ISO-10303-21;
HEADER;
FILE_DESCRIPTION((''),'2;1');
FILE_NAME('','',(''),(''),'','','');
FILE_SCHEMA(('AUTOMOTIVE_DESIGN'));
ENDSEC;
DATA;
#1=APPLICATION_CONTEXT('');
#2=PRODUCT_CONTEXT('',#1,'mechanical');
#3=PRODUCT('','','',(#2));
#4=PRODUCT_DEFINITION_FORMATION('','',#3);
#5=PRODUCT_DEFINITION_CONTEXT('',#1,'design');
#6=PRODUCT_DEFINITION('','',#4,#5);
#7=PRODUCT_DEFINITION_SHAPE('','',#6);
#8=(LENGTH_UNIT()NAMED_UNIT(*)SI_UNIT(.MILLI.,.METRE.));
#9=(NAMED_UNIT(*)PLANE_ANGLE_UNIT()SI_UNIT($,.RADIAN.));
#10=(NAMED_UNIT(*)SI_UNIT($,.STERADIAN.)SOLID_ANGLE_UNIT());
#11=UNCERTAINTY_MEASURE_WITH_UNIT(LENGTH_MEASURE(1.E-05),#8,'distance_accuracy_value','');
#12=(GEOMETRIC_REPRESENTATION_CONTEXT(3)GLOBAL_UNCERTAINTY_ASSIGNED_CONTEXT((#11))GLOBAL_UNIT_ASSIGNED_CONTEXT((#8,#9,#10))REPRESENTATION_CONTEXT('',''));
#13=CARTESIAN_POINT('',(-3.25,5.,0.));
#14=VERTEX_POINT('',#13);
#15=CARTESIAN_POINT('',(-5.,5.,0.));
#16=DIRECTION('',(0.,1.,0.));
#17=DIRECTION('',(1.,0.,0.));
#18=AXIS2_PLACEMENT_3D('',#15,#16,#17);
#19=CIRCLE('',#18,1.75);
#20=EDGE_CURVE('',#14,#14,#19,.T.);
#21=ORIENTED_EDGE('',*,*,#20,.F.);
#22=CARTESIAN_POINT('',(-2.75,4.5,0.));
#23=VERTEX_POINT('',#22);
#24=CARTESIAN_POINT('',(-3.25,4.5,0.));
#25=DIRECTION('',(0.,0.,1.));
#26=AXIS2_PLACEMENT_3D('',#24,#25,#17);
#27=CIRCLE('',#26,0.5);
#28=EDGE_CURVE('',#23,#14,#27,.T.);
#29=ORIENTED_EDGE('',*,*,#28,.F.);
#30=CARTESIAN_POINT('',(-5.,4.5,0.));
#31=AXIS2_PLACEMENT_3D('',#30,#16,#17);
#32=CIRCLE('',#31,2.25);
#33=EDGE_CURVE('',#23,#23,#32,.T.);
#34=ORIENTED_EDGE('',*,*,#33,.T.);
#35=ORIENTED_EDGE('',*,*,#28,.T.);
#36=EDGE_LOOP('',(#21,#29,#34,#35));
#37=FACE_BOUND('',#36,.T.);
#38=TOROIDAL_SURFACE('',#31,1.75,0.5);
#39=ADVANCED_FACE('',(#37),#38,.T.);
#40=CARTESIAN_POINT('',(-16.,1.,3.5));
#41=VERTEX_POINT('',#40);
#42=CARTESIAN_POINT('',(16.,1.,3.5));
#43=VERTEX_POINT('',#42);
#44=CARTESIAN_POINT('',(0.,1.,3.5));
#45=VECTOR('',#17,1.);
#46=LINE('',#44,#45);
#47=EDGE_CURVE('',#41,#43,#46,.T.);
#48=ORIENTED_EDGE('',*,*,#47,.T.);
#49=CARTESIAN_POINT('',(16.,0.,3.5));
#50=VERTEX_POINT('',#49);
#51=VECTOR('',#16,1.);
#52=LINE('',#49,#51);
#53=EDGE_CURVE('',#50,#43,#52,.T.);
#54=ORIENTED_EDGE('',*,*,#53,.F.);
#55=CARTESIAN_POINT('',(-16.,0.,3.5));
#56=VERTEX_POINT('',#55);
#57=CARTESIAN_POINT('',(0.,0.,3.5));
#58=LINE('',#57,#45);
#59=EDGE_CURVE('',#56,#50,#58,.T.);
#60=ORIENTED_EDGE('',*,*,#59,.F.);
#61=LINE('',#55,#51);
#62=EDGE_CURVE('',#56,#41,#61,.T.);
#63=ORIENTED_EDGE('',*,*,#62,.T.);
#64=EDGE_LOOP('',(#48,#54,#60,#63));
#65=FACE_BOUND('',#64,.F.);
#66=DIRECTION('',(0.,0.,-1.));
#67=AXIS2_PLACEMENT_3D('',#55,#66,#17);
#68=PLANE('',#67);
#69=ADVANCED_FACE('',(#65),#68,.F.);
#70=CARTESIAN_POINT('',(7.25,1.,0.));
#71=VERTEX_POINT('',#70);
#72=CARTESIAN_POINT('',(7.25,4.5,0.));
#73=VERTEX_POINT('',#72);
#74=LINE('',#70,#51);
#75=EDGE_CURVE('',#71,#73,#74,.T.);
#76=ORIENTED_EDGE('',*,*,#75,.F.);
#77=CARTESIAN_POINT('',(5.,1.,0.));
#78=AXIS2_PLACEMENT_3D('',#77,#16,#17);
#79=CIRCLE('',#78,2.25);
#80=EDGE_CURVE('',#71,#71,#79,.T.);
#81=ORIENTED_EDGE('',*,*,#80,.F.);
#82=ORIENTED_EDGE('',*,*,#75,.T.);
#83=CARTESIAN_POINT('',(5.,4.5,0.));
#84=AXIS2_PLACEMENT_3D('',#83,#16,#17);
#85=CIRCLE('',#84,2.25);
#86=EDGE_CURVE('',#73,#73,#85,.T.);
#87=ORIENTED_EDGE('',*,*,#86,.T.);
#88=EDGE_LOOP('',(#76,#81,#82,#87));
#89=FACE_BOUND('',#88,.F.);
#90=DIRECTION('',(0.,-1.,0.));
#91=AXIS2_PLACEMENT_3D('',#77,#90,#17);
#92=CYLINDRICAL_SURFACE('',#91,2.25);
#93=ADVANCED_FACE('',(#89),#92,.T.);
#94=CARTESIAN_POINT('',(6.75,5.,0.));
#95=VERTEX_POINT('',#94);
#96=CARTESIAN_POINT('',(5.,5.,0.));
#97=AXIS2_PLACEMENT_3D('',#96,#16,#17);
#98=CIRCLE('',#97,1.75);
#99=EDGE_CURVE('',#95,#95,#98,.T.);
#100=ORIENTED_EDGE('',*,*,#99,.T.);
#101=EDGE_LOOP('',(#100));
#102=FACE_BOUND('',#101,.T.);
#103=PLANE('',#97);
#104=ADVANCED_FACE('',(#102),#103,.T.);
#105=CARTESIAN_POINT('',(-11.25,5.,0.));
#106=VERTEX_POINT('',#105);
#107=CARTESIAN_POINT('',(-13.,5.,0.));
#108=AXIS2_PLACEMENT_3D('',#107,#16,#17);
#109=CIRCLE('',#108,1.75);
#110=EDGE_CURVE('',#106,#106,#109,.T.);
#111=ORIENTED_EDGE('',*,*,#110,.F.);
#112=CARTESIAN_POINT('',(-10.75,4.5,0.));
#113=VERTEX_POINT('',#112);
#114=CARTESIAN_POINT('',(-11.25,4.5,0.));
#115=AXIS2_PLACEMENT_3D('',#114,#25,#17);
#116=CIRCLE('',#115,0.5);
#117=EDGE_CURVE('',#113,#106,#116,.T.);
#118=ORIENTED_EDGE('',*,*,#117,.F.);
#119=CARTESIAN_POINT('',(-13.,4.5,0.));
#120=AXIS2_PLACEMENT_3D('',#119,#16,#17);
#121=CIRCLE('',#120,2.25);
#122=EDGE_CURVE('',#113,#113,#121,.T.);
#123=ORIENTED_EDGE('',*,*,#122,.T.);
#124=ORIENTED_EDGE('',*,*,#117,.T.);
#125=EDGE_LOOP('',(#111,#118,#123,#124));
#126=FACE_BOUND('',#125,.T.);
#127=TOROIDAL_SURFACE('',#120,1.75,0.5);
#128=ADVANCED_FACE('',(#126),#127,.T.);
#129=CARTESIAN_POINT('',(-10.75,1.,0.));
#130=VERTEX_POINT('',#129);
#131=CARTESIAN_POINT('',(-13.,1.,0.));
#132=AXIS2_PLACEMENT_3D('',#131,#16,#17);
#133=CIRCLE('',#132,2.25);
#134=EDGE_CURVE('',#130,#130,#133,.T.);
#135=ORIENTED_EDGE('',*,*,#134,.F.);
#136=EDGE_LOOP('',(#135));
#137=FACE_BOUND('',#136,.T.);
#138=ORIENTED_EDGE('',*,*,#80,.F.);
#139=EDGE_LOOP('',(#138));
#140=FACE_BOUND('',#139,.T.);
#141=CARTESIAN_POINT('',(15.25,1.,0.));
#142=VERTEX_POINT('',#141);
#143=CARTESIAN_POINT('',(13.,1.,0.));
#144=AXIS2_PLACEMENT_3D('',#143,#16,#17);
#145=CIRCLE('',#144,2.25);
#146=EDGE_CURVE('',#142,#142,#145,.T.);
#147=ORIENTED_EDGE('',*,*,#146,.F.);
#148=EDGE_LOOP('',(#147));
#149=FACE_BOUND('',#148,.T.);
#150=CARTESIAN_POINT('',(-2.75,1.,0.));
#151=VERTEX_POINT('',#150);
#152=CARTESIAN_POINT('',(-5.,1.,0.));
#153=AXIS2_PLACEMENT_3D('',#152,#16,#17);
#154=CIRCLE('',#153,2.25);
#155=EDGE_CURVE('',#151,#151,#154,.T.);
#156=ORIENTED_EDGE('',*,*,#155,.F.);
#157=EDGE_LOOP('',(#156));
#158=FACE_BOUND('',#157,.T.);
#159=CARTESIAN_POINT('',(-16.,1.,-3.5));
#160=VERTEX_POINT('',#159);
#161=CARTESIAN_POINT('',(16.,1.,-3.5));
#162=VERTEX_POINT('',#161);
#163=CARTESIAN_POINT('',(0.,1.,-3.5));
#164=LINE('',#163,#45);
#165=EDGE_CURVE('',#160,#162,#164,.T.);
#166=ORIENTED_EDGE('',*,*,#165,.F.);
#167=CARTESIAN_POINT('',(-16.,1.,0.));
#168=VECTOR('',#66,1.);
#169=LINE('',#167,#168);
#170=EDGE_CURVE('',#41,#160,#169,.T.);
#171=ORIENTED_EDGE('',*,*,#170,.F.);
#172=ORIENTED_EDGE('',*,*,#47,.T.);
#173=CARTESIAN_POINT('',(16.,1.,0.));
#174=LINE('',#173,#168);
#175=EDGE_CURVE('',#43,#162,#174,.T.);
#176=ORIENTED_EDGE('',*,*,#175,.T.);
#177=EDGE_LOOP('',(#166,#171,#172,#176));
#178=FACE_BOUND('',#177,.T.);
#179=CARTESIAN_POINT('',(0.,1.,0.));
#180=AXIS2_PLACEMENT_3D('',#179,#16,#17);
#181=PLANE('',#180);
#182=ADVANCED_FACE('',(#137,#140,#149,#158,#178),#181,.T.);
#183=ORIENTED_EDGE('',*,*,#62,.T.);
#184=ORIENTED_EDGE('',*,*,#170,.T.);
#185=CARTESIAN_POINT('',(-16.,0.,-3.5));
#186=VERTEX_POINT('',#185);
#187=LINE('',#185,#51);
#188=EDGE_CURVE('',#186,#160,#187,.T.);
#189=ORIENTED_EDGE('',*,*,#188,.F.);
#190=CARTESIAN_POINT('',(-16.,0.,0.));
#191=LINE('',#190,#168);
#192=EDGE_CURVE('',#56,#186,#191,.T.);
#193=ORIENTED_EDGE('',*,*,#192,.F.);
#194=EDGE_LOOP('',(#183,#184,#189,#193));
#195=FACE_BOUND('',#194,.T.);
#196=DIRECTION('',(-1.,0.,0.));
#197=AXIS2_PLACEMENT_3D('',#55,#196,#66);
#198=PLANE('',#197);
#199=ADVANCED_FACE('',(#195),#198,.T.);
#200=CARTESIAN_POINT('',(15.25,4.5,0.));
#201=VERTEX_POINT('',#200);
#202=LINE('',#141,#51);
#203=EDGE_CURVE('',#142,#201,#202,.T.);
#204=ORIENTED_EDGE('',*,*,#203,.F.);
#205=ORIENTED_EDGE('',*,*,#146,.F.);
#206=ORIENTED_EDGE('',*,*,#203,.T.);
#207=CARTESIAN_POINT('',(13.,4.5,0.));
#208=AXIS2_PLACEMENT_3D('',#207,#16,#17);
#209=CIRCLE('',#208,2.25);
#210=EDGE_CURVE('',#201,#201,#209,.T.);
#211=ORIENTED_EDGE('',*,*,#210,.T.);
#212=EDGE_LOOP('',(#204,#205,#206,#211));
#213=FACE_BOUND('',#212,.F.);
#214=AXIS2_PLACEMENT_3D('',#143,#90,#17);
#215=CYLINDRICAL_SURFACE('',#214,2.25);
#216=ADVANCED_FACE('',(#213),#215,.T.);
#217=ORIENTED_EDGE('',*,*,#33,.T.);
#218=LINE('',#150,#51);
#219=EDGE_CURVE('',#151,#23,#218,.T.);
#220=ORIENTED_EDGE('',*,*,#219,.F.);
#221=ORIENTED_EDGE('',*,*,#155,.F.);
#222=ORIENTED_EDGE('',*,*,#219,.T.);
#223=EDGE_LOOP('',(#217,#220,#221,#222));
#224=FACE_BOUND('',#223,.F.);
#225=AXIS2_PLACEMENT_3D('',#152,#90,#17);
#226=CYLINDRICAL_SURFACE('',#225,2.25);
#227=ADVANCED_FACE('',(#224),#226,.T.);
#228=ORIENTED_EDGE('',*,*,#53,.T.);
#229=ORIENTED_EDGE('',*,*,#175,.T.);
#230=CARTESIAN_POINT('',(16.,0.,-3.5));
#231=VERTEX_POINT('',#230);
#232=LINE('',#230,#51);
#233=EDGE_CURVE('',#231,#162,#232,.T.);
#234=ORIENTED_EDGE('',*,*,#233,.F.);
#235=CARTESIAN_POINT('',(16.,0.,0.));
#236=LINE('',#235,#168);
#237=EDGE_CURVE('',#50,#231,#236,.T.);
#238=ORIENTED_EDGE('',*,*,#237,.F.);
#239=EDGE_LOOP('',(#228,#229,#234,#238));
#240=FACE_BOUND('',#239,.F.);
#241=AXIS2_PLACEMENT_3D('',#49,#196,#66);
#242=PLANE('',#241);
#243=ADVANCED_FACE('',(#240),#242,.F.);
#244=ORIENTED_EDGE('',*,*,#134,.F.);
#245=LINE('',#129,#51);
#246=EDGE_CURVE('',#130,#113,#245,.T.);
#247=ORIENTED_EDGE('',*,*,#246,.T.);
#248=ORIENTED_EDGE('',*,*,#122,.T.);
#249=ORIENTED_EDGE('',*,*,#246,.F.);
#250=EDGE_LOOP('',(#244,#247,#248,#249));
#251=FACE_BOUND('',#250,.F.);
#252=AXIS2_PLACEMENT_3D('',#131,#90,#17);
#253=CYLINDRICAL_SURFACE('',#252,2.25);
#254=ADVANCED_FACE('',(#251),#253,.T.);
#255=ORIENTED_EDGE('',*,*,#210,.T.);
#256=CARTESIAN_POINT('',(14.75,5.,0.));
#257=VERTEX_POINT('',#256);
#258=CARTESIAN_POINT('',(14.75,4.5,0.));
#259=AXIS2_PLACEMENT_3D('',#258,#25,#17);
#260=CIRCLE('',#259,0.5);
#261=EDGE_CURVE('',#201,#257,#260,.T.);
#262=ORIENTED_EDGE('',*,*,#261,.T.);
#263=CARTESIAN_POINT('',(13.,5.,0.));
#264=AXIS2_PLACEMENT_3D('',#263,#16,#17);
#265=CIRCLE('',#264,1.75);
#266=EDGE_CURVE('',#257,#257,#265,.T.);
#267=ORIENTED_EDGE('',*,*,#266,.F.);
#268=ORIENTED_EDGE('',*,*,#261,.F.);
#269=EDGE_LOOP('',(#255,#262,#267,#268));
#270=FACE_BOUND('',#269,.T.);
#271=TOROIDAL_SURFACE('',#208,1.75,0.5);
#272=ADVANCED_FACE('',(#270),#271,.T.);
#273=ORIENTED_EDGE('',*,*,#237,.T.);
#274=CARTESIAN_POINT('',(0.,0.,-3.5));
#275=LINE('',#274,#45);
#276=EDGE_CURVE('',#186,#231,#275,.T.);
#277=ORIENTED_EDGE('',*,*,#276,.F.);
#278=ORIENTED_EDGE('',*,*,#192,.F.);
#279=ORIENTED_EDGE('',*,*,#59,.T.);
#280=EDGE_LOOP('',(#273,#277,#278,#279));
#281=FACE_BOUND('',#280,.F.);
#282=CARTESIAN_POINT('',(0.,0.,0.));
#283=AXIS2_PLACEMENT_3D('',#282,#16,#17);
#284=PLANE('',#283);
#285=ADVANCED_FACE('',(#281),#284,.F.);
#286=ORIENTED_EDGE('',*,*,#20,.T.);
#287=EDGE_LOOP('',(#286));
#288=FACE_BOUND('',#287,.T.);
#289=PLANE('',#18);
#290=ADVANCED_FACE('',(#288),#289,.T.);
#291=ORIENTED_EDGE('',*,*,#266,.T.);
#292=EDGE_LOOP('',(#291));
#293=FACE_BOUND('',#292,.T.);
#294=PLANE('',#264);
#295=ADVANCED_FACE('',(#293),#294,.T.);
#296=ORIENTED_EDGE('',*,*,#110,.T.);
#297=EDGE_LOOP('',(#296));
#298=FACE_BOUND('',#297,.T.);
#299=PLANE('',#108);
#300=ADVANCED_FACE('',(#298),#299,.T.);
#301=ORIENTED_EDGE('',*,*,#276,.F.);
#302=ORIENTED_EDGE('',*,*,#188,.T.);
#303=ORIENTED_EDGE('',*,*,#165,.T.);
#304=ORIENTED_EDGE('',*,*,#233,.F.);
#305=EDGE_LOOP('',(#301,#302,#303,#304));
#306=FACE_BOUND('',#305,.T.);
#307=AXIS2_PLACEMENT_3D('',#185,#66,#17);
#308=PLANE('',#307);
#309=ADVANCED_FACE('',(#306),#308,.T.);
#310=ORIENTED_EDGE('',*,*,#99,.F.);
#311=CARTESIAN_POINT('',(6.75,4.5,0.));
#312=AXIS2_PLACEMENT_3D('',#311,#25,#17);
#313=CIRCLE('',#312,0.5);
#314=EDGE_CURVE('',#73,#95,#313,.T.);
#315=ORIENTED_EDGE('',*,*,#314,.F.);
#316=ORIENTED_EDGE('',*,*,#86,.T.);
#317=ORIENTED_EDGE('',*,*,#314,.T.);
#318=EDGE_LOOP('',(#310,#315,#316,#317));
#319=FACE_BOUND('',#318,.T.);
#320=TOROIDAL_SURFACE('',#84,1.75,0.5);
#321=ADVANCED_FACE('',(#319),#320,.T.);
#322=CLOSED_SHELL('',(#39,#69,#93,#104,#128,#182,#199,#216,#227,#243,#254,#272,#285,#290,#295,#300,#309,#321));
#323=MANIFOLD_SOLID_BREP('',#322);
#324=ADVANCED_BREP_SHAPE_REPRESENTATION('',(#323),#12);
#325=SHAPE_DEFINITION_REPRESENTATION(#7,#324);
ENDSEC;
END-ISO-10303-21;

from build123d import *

# Parameters (mm, degrees)
SKETCH1_W           = 32
SKETCH1_H           = 7
BOSS_EXTRUDE1_DEPTH = 1
SKETCH2_R           = 2.25
BOSS_EXTRUDE2_DEPTH = 4
FILLET1_R           = 0.5


with BuildPart() as part:
    # Sketch1 → Boss-Extrude1 (new body)
    with BuildSketch(Plane(origin=(0, 0, 0), x_dir=(1, 0, 0), z_dir=(0, 1, 0))):
        Rectangle(SKETCH1_W, SKETCH1_H)
    extrude(amount=BOSS_EXTRUDE1_DEPTH)

    # Sketch2 → Boss-Extrude2 (add)
    with BuildSketch(Plane(origin=(0, 1, 0), x_dir=(1, 0, 0), z_dir=(0, 1, 0))):
        with Locations((-13, 0)):
            Circle(SKETCH2_R)
        with Locations((-5, 0)):
            Circle(SKETCH2_R)
        with Locations((5, 0)):
            Circle(SKETCH2_R)
        with Locations((13, 0)):
            Circle(SKETCH2_R)
    extrude(amount=BOSS_EXTRUDE2_DEPTH)

    # Fillet1
    fillet1_edges = [part.edges().sort_by_distance(p)[0] for p in [
        (-15.25, 5, 0),
        (-7.25, 5, 0),
        (2.75, 5, 0),
        (10.75, 5, 0),
    ]]
    fillet(fillet1_edges, radius=FILLET1_R)


solid = part.part
